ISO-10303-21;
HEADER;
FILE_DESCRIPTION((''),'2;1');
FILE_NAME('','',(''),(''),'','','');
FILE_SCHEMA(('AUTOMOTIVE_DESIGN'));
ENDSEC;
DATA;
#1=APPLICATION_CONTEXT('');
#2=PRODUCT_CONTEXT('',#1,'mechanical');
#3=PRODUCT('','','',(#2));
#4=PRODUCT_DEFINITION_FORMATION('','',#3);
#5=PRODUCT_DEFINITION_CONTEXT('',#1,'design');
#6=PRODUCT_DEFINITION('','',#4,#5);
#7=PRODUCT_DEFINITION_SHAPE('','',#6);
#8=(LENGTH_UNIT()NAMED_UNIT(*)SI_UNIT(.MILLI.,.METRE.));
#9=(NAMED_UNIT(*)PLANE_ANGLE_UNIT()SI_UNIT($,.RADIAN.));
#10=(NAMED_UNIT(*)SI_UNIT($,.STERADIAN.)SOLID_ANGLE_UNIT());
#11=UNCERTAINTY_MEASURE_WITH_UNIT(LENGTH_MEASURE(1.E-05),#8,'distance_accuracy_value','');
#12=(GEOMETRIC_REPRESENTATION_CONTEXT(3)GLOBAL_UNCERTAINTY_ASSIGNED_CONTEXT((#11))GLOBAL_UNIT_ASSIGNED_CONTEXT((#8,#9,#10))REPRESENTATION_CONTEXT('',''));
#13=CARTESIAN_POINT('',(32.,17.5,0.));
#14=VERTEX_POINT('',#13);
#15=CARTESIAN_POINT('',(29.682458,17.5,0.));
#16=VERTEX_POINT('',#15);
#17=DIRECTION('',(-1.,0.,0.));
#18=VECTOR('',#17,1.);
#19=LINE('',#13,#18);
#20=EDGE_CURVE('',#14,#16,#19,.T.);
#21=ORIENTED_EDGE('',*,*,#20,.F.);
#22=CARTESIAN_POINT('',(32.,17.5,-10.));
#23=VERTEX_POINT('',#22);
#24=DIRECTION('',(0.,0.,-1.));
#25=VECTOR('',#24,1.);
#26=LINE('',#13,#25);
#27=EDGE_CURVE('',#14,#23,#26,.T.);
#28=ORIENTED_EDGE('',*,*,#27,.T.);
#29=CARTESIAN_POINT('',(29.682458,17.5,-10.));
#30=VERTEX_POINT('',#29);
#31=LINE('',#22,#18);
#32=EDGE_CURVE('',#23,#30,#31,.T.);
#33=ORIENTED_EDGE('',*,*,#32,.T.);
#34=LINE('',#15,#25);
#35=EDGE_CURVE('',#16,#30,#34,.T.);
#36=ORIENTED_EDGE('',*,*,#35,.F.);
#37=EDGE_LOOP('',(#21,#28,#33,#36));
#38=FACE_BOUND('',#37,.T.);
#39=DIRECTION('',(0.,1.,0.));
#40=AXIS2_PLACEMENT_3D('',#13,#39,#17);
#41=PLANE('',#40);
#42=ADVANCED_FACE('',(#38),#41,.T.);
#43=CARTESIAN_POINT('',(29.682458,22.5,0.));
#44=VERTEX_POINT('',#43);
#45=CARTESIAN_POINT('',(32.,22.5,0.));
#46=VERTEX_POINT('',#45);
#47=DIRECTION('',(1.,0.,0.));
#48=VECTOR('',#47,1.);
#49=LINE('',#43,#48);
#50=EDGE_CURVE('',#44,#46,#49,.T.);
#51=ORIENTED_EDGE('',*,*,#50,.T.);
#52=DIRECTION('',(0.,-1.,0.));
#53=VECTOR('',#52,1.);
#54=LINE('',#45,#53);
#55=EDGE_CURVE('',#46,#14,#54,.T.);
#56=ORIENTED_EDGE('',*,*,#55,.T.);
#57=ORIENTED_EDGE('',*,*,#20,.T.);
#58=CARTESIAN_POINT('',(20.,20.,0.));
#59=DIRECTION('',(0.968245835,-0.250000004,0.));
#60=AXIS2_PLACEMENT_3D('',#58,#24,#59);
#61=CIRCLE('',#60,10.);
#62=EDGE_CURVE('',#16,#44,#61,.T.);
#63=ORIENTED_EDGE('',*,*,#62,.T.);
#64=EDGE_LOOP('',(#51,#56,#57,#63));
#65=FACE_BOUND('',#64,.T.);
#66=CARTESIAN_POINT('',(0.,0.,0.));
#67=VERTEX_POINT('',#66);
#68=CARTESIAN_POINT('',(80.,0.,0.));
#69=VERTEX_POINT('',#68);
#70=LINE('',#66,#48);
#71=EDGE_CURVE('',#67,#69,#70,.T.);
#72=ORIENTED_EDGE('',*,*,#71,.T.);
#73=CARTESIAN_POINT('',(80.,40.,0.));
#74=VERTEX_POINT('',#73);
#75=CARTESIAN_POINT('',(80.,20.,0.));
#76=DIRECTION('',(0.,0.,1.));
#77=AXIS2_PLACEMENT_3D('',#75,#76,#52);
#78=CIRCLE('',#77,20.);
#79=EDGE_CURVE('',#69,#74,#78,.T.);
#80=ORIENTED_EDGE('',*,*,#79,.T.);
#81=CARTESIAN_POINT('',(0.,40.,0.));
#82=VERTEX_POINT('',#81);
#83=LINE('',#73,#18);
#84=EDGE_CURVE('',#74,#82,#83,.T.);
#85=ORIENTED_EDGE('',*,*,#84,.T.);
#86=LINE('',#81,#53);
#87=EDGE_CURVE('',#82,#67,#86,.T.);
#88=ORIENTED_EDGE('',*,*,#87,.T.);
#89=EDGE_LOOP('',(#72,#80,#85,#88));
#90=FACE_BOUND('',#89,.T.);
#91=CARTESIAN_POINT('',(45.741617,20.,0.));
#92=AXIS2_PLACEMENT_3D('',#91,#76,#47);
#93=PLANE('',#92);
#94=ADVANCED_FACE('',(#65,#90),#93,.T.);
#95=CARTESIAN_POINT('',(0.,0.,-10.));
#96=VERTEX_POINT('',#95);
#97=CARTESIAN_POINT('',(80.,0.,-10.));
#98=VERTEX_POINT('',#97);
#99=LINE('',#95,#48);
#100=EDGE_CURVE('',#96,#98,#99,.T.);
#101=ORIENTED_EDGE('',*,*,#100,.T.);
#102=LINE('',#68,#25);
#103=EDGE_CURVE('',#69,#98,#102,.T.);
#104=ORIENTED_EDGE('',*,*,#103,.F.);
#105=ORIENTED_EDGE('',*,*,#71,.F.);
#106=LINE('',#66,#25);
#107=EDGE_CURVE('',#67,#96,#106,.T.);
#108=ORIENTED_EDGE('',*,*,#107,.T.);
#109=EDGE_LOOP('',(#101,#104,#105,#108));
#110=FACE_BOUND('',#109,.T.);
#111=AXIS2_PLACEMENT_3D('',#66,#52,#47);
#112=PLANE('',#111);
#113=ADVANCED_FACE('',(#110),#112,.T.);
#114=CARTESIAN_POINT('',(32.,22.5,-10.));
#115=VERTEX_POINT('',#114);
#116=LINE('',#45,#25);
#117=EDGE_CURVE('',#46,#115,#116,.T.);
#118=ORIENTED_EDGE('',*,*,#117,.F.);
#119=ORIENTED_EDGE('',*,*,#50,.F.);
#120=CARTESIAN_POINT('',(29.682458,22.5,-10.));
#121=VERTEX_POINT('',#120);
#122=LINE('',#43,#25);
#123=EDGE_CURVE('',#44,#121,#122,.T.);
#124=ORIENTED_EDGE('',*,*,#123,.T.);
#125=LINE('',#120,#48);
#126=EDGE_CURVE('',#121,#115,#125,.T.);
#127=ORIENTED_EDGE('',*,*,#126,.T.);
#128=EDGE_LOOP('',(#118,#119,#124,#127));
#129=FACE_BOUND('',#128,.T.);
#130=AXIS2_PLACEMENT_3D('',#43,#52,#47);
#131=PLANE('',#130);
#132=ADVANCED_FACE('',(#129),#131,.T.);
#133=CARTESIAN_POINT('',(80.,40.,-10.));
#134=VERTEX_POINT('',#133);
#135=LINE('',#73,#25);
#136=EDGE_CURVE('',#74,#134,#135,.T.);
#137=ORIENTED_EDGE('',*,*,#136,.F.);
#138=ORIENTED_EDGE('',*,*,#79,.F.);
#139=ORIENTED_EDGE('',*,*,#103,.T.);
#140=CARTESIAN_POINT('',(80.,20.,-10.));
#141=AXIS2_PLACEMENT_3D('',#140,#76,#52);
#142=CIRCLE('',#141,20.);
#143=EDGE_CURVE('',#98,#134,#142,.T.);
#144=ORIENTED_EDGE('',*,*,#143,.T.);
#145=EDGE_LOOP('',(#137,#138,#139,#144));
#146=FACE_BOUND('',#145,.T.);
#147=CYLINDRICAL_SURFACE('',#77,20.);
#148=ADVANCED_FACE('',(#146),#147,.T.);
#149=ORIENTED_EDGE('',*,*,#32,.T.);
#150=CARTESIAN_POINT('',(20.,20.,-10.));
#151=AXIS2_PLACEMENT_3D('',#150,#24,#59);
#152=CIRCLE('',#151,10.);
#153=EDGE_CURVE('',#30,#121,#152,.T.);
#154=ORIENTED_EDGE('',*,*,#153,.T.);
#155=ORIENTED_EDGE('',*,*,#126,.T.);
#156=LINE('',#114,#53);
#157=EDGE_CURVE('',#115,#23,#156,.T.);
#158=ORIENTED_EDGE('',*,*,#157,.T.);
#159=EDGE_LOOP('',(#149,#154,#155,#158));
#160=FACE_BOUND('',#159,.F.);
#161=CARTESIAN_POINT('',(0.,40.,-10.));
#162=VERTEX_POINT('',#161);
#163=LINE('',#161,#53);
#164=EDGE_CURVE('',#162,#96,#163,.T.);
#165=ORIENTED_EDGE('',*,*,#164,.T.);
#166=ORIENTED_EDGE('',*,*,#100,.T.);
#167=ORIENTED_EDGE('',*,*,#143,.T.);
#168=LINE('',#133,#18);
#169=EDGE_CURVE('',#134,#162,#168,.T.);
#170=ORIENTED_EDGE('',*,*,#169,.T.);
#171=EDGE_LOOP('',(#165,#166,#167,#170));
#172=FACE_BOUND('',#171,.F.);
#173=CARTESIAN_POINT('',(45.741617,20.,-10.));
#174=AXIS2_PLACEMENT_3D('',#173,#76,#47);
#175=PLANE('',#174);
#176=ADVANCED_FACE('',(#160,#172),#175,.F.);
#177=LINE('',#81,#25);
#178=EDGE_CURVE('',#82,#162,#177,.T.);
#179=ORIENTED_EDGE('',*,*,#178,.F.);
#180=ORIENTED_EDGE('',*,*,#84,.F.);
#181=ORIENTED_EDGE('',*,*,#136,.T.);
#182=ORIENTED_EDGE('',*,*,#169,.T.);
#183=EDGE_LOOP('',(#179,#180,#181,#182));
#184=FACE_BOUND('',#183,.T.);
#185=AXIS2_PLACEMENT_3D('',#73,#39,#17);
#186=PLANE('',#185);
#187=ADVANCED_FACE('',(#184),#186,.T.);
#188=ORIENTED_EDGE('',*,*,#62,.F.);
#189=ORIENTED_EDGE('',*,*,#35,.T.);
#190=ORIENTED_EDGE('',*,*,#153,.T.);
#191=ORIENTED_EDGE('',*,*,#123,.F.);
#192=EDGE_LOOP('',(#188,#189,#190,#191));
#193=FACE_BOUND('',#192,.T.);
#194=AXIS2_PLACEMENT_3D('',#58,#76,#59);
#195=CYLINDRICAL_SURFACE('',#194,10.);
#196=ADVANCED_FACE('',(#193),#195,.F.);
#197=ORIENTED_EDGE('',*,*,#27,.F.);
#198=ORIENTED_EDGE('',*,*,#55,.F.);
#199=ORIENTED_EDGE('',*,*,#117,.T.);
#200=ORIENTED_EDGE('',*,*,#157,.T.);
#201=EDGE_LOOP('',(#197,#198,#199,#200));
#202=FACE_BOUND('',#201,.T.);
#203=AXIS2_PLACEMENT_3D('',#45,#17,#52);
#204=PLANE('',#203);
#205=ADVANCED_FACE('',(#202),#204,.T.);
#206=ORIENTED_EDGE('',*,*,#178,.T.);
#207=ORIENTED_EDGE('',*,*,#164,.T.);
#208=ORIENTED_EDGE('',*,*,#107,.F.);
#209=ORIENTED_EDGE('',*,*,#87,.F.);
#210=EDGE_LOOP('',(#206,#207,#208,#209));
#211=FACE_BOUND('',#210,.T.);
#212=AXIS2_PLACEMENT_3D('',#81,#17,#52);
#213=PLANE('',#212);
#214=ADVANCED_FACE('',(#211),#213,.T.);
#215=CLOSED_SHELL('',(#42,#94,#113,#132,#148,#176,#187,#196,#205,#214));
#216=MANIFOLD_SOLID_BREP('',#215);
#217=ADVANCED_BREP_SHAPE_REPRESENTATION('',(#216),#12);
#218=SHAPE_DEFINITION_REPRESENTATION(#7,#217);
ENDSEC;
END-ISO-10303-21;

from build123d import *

# Parameters (mm, degrees)
F1_DEPTH = 10


with BuildPart() as f1:
    # F0 (on Top) → F1 (new body)
    with BuildSketch(Plane.XY):
        with BuildLine():
            Line((0, 40), (0, 0))
            Line((0, 0), (80, 0))
            ThreePointArc((80, 0), (100, 20), (80, 40))
            Line((80, 40), (0, 40))
        make_face()
        with BuildLine():
            ThreePointArc((29.682458, 17.5), (10, 20), (29.682458, 22.5))
            Line((29.682458, 22.5), (32, 22.5))
            Line((32, 22.5), (32, 17.5))
            Line((32, 17.5), (29.682458, 17.5))
        make_face(mode=Mode.SUBTRACT)
    extrude(amount=-F1_DEPTH)


solid = f1.part
